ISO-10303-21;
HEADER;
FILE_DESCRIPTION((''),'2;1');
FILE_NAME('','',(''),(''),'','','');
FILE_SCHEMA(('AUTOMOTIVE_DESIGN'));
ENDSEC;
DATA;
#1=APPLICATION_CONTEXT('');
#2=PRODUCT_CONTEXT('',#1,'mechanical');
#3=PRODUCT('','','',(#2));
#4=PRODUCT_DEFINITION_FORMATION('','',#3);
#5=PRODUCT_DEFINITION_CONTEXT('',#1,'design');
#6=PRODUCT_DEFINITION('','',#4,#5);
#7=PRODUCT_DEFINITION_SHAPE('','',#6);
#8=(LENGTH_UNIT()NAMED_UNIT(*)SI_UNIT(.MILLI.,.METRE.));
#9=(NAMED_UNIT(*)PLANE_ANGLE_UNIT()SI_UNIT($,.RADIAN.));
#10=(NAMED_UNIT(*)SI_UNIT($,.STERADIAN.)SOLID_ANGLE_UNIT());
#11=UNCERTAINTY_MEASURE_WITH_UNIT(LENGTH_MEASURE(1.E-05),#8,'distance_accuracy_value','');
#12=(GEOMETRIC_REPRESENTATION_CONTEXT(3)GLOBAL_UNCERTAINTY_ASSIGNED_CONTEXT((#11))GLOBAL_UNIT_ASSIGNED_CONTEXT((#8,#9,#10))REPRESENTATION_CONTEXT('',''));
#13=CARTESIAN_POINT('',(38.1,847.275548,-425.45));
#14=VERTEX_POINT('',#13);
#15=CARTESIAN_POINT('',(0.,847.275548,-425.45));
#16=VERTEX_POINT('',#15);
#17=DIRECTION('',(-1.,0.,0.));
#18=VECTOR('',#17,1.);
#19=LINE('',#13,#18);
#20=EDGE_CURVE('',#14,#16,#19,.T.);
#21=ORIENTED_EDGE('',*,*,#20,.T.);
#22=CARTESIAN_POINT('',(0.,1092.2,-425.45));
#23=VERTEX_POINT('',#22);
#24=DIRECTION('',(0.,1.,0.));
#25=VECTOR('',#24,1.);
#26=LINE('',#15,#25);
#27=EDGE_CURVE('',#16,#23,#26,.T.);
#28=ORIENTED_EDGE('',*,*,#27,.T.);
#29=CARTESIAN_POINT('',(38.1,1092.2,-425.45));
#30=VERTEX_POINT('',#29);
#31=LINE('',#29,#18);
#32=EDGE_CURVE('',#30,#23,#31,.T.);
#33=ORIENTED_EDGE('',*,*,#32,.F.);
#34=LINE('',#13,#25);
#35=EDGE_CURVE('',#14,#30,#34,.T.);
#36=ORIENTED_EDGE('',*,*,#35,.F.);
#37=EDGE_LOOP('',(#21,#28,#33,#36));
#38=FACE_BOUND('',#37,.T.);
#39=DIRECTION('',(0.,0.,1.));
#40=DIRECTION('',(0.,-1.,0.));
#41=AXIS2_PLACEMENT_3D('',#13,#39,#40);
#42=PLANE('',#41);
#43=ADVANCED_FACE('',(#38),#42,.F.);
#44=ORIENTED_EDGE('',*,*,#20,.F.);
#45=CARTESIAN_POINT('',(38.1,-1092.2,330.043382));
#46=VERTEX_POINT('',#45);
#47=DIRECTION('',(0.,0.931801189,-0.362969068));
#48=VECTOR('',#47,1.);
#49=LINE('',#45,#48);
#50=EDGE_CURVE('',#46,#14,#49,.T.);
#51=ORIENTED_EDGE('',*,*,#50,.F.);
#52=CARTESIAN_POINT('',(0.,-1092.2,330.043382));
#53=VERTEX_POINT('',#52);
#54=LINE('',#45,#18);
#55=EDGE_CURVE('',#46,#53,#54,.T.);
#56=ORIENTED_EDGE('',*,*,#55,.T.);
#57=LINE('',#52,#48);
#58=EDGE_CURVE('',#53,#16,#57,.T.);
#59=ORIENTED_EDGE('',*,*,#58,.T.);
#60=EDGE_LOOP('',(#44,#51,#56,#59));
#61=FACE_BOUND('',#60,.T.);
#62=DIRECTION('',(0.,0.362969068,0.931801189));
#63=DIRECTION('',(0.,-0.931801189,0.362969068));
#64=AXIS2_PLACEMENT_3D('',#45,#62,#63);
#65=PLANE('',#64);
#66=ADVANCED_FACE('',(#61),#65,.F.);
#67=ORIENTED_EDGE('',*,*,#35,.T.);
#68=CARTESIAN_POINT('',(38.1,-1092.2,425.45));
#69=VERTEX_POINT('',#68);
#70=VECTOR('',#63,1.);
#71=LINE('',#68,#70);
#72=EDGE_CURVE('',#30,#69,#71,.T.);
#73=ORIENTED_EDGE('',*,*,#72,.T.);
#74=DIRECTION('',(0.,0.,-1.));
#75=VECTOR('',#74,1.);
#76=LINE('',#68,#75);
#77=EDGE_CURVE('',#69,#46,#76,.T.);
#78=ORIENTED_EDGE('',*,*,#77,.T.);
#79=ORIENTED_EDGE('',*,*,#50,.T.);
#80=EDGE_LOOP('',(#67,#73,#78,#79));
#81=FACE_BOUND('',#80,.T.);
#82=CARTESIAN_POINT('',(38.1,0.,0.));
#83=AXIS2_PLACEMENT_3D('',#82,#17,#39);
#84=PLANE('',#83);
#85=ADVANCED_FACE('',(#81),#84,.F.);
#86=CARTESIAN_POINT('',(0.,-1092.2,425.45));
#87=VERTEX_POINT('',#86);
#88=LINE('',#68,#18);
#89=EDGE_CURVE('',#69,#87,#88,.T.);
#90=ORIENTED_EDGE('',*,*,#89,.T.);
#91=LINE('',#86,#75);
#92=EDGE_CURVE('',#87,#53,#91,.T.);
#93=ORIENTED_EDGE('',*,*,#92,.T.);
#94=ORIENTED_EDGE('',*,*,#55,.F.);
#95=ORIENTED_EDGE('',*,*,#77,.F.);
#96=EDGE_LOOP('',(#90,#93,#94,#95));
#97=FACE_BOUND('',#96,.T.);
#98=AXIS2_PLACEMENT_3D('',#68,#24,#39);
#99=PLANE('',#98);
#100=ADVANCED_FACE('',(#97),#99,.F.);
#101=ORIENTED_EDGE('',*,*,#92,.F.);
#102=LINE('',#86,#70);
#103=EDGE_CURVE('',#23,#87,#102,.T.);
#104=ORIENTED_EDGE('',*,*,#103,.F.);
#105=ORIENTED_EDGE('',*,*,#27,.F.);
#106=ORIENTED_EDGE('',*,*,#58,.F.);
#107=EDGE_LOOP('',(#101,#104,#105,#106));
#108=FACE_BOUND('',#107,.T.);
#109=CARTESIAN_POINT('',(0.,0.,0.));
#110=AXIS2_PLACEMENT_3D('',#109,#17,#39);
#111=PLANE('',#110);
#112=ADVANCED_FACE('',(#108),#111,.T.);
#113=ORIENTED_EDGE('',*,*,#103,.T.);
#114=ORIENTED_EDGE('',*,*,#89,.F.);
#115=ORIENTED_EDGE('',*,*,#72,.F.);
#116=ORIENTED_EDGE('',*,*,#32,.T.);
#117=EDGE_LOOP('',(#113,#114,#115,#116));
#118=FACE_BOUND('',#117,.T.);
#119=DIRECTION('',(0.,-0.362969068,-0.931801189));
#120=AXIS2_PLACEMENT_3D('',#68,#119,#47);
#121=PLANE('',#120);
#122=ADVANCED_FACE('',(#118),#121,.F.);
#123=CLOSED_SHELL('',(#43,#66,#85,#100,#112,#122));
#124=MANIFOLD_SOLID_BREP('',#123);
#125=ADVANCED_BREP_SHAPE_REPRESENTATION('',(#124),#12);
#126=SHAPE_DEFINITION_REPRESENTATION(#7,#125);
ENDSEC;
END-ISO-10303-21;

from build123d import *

# Parameters (mm, degrees)
BOSS_EXTRUDE1_DEPTH = 38.1


with BuildPart() as part:
    # Sketch1 → Boss-Extrude1 (new body)
    with BuildSketch(Plane(origin=(0, 0, 0), x_dir=(0, 0, -1), z_dir=(1, 0, 0))):
        Polygon((-425.45, -1092.2), (-330.043382097, -1092.2), (425.45, 847.27554807), (425.45, 1092.2), align=None)
    extrude(amount=BOSS_EXTRUDE1_DEPTH)


solid = part.part
